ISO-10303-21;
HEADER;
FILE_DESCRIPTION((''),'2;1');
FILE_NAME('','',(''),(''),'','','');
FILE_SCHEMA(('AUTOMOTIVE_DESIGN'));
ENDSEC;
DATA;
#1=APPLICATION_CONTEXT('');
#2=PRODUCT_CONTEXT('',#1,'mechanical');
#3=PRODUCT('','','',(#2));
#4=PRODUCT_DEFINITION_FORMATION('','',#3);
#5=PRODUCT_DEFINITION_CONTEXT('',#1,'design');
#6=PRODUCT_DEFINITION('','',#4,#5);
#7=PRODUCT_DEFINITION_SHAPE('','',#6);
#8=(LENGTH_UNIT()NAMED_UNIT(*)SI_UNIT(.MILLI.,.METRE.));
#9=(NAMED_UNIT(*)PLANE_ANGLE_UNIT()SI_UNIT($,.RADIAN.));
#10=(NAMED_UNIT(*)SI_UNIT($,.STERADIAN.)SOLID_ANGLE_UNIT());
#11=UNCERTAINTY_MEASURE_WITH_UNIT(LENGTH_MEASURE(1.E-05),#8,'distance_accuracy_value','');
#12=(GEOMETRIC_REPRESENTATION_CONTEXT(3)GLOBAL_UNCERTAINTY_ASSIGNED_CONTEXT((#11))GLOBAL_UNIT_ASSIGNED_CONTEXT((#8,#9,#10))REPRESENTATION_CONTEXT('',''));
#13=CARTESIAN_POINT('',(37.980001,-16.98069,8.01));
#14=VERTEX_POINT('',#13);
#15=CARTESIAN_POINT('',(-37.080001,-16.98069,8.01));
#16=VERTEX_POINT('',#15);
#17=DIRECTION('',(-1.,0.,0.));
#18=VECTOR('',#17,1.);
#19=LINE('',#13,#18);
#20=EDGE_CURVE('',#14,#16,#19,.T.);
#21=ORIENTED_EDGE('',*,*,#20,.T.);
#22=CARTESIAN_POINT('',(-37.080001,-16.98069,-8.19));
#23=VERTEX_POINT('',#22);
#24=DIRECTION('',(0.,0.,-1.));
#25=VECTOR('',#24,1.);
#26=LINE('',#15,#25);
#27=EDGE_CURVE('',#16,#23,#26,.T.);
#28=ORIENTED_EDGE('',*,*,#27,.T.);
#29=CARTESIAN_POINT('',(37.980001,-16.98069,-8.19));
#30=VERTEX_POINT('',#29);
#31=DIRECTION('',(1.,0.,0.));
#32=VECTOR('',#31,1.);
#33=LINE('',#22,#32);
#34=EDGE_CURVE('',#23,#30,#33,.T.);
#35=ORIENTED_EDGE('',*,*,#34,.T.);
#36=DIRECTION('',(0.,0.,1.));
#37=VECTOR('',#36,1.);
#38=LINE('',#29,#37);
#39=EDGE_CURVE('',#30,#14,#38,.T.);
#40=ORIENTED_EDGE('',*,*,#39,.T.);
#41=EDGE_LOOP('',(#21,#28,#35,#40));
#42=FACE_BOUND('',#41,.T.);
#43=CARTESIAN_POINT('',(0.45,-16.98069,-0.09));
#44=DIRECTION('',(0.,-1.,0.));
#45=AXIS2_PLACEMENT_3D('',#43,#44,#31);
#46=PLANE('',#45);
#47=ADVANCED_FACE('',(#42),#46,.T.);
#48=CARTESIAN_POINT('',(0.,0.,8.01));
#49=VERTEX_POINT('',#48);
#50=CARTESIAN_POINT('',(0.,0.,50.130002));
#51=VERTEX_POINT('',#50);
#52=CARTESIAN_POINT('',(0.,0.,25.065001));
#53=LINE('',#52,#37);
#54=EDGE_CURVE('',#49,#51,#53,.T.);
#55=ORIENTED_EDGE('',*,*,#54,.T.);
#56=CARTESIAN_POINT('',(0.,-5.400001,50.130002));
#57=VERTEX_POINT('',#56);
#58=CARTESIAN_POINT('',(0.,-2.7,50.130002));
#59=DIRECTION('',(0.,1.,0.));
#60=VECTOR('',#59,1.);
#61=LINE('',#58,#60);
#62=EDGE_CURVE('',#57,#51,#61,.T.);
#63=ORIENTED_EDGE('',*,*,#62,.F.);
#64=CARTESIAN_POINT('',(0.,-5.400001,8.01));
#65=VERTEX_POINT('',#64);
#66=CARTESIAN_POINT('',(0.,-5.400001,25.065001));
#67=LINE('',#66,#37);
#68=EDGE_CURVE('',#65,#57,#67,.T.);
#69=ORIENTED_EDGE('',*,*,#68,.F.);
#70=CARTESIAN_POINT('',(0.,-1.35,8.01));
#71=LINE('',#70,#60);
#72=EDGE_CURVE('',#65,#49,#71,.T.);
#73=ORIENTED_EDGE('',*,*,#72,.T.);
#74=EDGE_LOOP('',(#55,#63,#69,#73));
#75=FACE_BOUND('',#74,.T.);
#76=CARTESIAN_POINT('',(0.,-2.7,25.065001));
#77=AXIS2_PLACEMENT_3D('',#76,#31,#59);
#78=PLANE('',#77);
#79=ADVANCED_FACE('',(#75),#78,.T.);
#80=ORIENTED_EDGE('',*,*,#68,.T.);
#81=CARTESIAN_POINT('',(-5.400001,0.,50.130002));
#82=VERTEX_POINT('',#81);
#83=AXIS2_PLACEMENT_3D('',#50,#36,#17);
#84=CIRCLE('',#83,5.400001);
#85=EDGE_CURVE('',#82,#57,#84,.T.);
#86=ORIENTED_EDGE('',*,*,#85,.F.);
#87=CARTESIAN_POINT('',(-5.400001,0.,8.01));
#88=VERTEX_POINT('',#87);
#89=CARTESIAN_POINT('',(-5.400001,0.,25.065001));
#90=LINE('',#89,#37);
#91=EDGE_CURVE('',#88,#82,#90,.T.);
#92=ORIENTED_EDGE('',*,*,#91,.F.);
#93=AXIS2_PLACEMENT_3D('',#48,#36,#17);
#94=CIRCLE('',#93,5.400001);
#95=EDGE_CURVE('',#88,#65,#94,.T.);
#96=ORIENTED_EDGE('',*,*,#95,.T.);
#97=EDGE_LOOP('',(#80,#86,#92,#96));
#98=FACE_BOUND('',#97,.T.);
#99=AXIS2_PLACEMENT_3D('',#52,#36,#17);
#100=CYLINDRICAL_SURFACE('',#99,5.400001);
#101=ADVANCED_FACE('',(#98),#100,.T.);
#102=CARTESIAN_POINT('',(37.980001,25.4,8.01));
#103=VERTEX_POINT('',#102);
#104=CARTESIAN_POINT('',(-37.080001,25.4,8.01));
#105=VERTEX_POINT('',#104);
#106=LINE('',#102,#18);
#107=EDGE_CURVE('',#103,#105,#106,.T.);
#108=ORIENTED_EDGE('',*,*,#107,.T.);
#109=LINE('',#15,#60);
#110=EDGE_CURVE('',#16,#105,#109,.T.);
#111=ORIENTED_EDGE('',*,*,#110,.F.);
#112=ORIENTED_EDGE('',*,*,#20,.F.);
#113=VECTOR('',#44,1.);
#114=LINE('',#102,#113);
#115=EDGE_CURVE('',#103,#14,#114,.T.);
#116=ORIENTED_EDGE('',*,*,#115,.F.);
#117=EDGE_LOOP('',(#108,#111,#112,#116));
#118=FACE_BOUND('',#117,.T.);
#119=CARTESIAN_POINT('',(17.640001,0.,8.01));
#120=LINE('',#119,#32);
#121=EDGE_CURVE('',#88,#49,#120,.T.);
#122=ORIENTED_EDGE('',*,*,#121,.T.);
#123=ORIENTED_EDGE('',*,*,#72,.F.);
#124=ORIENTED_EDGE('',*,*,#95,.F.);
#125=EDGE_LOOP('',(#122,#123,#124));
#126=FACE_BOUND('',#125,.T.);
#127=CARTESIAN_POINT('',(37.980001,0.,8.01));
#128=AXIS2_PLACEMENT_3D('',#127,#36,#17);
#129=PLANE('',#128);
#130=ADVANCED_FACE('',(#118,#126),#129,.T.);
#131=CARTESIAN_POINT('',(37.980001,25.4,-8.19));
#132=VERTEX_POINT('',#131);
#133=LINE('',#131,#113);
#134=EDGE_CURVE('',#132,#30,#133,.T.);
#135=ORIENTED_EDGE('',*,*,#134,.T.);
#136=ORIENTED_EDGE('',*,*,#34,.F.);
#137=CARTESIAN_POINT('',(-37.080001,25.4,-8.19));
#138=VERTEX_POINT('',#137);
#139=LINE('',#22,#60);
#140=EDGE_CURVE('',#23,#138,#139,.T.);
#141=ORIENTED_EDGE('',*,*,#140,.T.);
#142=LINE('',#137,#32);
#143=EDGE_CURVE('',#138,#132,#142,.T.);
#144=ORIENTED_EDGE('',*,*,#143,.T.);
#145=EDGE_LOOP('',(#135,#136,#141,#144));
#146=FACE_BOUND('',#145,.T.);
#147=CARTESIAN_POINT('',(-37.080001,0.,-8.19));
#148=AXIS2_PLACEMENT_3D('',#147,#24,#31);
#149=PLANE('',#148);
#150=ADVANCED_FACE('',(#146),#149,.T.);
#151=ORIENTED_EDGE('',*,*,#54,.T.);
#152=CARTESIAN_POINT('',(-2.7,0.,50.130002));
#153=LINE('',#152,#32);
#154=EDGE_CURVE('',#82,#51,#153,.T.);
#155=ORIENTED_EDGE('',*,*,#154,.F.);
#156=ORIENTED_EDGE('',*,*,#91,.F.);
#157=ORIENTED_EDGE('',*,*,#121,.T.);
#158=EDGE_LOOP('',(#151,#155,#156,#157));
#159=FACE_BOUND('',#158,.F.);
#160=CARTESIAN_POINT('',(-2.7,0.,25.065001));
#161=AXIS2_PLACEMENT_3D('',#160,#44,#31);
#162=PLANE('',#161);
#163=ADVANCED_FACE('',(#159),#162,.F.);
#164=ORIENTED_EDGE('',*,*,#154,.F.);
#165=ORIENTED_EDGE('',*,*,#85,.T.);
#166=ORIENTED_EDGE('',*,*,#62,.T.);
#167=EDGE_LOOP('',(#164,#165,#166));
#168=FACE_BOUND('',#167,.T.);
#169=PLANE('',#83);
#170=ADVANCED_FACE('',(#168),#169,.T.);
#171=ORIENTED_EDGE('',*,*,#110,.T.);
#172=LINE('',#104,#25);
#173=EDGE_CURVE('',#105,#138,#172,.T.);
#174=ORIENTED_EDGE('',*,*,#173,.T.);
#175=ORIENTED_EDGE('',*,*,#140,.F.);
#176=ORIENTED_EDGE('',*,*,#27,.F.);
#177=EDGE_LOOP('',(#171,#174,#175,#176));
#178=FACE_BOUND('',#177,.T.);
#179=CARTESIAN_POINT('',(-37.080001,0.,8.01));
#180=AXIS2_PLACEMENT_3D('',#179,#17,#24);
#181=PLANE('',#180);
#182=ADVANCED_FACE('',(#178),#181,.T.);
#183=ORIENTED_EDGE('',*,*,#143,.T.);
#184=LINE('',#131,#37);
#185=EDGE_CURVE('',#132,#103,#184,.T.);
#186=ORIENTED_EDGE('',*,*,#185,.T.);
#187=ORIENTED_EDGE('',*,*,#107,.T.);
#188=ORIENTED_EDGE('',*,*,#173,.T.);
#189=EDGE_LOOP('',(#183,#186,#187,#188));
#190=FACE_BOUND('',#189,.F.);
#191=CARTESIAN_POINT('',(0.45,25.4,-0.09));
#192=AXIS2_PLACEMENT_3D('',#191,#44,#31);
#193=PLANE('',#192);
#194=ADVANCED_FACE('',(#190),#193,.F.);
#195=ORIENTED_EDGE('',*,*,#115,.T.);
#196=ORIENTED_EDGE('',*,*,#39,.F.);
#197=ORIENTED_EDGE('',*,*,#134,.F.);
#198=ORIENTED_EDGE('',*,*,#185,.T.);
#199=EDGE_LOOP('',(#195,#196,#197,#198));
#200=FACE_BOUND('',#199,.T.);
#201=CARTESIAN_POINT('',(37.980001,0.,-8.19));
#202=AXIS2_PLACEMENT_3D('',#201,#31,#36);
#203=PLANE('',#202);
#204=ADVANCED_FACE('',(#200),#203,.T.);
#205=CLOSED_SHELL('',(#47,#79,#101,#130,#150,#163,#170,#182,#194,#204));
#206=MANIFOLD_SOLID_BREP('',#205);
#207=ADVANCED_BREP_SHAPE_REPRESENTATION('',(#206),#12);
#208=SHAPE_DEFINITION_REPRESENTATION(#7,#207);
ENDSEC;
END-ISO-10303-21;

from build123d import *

# Parameters (mm, degrees)
F1_DEPTH      = 16.98069
F1_DEPTH_BACK = 25.4
F2_W          = 5.4000006057
F2_H          = 50.1300022006
F3_ANGLE      = 90


with BuildPart() as f1:
    # F0 (on Front) → F1 (new body, two sides)
    with BuildSketch(Plane.XZ) as f1_sk:
        Polygon((-37.080001086, -8.1900004297), (37.9800014198, -8.1900004297), (37.9800014198, 8.0099999905), (0, 8.0099999905), (-37.080001086, 8.0099999905), align=None)
    extrude(amount=F1_DEPTH)
    extrude(f1_sk.sketch, amount=-F1_DEPTH_BACK)

    # F2 (on Front) → F3 (revolve)
    with BuildSketch(Plane.XZ):
        with Locations((-2.7000003029, 25.0650011003)):
            Rectangle(F2_W, F2_H)
    revolve(axis=Axis((0, 0, 25.0650011003), (0, 0, 1)), revolution_arc=F3_ANGLE)


solid = f1.part
